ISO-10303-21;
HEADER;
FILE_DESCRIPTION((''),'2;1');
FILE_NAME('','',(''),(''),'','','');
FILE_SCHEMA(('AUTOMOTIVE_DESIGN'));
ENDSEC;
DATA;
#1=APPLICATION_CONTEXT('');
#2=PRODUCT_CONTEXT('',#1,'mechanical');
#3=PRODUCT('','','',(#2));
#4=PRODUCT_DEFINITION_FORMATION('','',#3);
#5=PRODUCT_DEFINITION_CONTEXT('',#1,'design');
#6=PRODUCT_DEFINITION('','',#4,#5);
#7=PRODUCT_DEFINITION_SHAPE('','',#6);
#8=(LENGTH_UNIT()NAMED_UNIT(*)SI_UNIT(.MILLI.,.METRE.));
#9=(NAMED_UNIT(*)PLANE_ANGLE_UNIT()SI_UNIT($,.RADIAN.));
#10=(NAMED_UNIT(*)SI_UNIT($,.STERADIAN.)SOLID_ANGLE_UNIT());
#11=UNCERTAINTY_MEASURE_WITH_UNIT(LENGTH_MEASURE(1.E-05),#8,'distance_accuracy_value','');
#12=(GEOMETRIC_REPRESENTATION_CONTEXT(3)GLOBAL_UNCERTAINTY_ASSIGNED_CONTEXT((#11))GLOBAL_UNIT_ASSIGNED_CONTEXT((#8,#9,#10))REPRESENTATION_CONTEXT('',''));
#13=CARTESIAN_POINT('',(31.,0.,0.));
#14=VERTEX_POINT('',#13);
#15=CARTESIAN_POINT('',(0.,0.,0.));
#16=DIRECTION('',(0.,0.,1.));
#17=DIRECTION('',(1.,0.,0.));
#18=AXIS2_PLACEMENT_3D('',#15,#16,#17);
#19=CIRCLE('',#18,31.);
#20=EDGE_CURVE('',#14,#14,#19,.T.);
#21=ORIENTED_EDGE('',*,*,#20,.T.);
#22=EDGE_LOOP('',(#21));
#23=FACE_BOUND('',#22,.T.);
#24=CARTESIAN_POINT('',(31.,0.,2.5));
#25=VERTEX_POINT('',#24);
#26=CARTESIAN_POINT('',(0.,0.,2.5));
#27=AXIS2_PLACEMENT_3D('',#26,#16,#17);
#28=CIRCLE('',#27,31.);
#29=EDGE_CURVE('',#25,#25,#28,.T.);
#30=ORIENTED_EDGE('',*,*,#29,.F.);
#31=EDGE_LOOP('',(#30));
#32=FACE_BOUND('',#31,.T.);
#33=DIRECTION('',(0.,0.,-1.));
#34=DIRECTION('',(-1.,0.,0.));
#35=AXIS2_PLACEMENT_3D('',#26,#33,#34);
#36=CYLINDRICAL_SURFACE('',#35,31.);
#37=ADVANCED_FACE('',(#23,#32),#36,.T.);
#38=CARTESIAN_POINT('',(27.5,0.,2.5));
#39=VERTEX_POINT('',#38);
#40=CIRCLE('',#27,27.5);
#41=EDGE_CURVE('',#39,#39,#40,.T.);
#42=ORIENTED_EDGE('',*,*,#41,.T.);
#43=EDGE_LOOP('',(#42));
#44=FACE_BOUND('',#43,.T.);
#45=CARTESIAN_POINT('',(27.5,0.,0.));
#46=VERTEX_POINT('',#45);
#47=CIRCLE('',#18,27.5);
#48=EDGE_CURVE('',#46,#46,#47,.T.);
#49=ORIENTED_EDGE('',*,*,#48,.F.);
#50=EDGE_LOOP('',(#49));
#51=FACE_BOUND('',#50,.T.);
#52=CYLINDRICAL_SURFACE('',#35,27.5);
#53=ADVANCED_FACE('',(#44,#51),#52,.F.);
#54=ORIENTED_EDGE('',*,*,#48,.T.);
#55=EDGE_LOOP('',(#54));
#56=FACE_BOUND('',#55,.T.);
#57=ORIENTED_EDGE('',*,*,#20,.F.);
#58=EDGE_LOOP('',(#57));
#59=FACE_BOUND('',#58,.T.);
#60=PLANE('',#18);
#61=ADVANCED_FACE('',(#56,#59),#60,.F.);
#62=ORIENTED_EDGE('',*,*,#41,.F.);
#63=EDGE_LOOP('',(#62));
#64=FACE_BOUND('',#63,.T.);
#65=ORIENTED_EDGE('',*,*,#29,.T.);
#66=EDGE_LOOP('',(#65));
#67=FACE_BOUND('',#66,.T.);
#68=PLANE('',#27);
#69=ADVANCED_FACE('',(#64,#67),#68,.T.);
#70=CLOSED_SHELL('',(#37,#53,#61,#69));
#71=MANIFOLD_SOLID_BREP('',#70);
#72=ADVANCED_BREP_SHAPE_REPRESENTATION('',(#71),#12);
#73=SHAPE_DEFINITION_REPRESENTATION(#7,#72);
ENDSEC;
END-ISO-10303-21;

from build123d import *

# Parameters (mm, degrees)
ESQUISSE1_R          = 31
ESQUISSE1_R_2        = 27.5
BASE_EXTRUSION_DEPTH = 2.5


with BuildPart() as part:
    # Esquisse1 → Base-Extrusion (new body)
    with BuildSketch(Plane.XY):
        Circle(ESQUISSE1_R)
        Circle(ESQUISSE1_R_2, mode=Mode.SUBTRACT)
    extrude(amount=BASE_EXTRUSION_DEPTH)


solid = part.part
